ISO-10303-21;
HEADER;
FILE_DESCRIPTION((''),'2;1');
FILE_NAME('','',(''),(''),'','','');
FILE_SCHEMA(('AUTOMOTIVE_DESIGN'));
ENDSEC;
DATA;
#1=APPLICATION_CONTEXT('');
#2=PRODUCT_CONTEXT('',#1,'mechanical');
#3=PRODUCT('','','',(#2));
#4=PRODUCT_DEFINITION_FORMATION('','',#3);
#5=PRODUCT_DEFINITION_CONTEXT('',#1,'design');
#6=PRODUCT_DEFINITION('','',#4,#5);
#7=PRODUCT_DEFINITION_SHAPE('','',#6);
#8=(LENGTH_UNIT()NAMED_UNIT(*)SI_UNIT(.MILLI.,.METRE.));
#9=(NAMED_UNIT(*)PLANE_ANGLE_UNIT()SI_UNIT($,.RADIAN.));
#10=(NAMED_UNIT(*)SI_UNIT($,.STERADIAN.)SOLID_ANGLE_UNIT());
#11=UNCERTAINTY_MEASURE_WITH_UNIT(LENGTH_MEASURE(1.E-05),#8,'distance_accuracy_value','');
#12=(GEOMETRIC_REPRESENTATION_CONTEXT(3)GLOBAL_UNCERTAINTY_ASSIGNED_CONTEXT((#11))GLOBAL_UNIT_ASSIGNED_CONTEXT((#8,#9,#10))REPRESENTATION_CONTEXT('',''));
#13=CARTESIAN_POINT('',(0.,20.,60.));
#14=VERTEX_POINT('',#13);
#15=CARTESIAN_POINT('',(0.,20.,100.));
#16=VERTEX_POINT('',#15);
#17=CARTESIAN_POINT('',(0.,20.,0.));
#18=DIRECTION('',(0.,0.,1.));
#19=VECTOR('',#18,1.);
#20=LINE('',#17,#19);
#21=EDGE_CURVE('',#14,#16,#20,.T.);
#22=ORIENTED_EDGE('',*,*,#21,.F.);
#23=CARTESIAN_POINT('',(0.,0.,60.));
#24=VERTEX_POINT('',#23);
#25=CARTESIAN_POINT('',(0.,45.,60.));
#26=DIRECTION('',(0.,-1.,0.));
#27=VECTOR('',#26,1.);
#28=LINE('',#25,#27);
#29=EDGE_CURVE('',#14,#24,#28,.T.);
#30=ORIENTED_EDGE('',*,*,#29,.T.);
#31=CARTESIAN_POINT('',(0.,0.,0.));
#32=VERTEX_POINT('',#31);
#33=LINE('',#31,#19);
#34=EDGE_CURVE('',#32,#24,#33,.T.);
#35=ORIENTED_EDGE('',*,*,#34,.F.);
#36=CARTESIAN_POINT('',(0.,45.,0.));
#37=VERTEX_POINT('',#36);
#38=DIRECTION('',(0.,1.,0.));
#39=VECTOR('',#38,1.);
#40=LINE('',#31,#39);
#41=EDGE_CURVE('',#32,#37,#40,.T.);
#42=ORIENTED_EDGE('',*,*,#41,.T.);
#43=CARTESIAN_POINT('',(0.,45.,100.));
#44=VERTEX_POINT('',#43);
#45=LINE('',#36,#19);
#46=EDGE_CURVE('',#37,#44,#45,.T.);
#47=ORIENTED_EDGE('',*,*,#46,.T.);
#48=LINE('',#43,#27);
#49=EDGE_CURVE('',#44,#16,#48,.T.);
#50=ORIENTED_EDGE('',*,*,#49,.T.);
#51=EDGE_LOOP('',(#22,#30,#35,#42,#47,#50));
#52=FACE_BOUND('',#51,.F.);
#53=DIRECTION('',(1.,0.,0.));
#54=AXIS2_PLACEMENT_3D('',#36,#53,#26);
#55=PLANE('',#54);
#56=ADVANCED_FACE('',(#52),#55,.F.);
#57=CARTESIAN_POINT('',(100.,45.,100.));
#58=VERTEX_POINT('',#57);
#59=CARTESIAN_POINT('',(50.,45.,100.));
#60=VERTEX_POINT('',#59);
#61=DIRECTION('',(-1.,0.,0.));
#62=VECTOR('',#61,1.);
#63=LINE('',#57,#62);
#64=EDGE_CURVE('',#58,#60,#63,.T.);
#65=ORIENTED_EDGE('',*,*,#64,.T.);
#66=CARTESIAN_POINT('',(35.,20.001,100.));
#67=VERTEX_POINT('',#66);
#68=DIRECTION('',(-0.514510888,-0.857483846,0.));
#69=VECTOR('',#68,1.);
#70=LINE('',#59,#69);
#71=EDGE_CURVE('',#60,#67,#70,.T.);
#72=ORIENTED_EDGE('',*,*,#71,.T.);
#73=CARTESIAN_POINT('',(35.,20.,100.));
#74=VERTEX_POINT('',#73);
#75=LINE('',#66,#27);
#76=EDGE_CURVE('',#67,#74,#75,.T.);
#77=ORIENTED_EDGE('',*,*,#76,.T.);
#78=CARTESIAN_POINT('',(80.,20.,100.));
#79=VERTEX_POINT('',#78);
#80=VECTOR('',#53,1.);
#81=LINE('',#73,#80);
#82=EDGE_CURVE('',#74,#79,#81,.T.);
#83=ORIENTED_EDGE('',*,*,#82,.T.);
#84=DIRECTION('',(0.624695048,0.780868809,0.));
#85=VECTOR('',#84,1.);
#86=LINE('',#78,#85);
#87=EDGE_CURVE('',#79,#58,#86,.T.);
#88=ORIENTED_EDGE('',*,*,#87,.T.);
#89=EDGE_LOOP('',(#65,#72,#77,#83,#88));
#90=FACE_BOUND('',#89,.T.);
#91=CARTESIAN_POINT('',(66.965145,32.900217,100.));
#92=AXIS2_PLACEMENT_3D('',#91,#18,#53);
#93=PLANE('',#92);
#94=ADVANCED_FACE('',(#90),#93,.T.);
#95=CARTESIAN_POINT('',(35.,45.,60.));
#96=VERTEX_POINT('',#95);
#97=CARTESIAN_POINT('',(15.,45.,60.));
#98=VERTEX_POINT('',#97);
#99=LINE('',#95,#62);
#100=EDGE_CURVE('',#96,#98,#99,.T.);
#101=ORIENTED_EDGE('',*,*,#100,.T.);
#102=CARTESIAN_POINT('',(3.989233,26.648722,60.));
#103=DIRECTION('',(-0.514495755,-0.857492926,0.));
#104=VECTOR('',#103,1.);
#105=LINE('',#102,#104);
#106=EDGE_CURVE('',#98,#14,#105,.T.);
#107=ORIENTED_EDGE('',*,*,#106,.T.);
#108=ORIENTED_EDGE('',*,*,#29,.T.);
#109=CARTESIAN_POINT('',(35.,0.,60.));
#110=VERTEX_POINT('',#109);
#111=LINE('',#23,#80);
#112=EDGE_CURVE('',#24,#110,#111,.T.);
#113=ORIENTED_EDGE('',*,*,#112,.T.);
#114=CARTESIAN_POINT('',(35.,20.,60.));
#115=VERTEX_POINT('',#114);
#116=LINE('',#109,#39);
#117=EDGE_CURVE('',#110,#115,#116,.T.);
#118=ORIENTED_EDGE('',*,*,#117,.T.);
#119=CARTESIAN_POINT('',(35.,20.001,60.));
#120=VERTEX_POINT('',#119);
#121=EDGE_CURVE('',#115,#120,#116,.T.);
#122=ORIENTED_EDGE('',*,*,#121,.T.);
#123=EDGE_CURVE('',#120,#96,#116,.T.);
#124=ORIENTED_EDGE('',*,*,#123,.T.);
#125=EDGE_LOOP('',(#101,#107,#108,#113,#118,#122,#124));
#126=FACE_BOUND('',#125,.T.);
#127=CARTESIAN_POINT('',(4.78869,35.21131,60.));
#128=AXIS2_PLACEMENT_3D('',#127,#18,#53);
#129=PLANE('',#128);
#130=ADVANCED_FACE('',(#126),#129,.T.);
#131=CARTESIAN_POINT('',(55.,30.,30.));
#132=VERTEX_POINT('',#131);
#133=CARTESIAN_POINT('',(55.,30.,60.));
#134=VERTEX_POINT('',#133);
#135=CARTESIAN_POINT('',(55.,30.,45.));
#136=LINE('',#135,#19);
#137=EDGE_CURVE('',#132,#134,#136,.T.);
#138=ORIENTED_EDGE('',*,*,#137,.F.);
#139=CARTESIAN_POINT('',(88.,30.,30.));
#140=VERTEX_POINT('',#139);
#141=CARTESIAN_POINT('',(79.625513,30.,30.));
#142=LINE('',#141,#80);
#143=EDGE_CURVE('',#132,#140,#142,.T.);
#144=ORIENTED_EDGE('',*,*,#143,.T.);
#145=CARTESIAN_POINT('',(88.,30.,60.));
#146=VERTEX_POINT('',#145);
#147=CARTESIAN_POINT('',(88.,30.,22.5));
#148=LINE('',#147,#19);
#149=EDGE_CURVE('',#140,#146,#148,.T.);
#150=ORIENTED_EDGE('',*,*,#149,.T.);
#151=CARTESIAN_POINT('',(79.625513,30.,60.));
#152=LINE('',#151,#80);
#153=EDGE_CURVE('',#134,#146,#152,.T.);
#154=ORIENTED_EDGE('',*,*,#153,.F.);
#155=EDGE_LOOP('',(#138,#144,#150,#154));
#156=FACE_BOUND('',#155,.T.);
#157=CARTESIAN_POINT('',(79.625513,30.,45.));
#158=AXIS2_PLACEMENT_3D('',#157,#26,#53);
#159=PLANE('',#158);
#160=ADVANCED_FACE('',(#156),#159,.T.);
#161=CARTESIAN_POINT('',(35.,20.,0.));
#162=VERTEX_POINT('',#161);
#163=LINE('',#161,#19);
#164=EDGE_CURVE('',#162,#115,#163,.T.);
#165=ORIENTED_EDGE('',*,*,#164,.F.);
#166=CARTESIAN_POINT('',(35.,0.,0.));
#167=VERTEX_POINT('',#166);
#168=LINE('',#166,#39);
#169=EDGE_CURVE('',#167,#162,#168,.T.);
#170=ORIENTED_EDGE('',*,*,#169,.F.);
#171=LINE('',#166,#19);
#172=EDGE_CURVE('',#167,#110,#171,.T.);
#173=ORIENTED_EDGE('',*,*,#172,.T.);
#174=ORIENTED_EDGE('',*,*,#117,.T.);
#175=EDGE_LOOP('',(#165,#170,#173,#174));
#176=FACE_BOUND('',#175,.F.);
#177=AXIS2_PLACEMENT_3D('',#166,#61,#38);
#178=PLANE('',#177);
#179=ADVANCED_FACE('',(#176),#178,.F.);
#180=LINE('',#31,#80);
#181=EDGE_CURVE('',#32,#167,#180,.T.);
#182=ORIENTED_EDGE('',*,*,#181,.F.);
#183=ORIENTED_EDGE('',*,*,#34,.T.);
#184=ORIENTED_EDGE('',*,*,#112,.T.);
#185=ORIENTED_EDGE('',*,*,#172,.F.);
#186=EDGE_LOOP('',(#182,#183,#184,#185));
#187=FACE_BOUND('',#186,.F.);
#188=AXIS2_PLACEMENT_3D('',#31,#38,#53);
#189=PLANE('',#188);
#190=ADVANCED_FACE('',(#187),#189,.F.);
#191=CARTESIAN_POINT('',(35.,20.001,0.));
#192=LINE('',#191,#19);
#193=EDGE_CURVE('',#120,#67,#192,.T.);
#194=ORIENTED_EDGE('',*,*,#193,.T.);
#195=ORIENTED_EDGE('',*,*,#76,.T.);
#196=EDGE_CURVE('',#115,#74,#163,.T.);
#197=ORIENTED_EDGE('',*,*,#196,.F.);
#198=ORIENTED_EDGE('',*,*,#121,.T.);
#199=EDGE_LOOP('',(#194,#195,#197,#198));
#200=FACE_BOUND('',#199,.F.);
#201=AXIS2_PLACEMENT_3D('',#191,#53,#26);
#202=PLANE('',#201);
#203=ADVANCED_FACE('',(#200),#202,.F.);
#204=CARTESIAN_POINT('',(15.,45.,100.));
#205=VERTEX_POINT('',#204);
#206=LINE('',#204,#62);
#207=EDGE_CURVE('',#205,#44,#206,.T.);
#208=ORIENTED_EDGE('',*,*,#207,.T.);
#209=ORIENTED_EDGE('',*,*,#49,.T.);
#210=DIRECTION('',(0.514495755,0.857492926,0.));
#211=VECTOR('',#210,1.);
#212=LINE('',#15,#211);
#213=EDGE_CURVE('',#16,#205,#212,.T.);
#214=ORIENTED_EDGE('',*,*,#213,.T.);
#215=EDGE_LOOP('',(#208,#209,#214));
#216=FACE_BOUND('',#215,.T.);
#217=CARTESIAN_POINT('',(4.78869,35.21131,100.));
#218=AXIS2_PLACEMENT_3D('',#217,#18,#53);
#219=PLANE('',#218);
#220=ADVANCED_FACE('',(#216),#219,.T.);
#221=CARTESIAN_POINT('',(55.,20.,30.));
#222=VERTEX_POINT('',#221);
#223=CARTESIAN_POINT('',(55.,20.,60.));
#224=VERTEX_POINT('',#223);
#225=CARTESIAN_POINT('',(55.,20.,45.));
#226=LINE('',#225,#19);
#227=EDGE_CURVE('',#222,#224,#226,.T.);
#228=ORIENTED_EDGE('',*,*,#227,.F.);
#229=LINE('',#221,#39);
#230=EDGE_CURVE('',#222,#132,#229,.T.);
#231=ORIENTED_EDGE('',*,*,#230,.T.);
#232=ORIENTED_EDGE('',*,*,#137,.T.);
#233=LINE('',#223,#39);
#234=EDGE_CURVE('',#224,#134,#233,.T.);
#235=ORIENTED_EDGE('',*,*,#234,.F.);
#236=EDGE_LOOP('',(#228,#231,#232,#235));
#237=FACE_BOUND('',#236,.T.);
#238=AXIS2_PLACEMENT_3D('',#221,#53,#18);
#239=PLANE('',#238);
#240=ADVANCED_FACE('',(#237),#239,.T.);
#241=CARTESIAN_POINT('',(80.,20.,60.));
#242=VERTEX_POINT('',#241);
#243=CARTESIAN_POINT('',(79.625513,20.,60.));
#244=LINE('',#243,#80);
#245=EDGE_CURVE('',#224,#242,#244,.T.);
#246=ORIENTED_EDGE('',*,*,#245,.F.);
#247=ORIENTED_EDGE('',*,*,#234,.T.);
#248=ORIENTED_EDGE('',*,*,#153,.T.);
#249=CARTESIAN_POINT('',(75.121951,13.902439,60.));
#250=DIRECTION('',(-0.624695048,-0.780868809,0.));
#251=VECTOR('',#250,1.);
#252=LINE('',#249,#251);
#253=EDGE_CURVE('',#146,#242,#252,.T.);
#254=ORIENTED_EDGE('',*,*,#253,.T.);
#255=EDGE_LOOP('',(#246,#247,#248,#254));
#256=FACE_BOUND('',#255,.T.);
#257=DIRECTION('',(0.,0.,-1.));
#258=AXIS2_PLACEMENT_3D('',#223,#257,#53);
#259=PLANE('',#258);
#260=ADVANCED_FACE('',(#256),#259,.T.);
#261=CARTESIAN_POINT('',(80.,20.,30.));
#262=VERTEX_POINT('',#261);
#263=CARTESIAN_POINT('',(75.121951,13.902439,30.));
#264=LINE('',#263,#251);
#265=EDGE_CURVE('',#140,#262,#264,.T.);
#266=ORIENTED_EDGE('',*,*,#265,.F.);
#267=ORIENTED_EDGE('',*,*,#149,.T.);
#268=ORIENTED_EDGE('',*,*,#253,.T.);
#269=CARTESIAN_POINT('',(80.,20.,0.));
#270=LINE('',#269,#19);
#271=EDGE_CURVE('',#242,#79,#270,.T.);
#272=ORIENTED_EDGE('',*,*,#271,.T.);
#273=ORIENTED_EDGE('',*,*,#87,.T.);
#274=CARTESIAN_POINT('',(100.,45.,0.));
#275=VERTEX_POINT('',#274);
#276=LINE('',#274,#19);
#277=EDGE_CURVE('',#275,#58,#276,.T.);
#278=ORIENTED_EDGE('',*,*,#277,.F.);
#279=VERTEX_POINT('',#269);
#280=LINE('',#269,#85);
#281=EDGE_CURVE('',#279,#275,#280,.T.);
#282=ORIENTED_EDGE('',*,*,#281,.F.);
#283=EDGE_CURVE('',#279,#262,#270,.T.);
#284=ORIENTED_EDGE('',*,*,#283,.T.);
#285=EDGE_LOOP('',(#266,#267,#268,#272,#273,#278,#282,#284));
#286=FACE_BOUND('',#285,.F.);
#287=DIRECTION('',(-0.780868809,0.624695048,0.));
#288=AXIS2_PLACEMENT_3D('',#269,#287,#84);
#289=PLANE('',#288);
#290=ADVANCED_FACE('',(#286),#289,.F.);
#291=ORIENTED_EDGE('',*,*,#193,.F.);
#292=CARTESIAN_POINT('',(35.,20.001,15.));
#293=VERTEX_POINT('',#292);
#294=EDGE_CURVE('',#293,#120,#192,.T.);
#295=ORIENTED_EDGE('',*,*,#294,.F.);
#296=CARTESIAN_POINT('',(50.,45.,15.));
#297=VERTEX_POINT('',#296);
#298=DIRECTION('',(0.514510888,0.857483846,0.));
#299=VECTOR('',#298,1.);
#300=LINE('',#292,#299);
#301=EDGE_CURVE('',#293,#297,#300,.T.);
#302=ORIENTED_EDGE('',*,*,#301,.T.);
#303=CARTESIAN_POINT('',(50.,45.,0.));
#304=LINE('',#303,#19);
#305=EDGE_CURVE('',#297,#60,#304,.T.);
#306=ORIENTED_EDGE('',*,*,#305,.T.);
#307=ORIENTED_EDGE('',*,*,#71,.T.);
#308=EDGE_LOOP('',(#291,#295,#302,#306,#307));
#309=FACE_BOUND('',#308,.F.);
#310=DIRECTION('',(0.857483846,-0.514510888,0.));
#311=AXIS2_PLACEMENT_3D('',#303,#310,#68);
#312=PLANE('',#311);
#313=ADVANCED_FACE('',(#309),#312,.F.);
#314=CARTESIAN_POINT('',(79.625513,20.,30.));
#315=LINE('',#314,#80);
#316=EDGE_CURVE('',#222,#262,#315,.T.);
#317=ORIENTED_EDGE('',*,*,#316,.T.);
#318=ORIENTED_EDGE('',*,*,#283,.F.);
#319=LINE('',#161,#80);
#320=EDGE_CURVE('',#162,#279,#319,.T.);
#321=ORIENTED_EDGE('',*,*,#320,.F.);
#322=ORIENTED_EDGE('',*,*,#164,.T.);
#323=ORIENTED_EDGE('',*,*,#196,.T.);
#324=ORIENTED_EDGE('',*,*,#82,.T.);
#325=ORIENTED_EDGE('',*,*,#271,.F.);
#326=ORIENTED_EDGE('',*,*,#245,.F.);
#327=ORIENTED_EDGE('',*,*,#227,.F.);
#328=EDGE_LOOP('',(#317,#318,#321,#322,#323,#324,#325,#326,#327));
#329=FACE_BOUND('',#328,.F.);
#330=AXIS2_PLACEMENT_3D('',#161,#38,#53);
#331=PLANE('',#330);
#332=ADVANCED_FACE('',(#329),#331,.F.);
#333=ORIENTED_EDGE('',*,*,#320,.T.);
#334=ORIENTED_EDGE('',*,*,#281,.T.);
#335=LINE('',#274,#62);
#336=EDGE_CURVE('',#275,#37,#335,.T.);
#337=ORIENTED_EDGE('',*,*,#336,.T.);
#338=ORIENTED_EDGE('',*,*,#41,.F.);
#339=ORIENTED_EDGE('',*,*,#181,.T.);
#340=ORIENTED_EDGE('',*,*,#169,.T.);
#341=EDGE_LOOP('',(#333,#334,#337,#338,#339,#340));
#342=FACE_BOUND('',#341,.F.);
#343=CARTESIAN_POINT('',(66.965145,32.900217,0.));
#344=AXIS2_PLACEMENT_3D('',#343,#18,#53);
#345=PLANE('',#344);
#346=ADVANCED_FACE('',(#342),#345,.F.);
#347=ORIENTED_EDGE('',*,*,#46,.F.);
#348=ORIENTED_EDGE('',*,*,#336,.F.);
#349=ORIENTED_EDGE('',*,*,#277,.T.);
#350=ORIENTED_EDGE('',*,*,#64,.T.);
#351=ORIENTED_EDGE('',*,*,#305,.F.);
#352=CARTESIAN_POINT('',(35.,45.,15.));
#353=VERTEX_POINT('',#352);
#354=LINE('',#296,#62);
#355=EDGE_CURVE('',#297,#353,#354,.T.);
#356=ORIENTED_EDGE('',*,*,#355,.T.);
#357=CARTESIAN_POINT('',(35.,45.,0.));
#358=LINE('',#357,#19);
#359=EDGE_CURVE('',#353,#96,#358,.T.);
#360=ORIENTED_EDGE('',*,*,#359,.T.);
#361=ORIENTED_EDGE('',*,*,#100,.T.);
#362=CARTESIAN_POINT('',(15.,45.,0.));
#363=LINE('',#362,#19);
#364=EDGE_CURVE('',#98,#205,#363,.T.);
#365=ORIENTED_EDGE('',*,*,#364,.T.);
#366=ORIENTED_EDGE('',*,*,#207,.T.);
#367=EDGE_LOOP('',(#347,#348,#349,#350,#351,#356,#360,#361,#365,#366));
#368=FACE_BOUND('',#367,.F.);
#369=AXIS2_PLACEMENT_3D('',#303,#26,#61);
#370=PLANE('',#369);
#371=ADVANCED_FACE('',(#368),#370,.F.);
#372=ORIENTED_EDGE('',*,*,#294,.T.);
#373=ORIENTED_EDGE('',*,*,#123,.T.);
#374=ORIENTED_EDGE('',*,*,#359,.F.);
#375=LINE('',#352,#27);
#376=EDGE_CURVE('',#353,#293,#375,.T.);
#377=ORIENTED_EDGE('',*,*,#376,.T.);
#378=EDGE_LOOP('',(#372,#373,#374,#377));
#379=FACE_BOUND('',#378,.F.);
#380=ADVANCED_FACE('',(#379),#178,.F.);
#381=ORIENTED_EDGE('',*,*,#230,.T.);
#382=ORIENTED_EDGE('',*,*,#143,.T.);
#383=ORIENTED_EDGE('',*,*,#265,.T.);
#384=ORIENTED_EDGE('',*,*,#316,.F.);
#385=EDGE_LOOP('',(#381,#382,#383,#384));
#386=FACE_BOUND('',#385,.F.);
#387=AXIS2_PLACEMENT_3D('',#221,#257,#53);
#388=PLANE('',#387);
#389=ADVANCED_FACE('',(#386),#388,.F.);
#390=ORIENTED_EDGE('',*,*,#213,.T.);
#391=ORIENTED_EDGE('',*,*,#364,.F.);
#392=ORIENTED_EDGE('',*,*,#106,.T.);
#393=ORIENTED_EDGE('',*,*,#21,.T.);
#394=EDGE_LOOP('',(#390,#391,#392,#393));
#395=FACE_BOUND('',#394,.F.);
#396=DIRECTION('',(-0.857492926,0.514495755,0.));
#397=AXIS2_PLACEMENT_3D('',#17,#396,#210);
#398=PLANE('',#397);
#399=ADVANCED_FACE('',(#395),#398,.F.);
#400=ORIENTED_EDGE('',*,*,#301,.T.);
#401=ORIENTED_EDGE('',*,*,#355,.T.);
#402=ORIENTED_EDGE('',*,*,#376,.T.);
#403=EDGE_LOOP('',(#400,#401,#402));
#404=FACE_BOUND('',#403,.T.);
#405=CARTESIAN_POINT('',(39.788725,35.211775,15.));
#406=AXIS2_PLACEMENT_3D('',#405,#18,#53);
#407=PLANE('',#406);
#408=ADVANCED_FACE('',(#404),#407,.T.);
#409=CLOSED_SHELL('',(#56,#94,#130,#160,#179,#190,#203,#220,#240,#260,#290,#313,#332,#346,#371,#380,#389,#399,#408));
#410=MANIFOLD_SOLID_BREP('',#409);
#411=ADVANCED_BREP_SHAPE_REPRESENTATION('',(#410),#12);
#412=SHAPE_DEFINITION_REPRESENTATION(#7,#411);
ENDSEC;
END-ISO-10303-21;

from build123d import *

# Parameters (mm, degrees)
F1_DEPTH = 60
F2_DEPTH = 15
F3_DEPTH = 100
F4_DEPTH = 100
F5_W     = 49.251026
F5_H     = 30
F6_DEPTH = 10


with BuildPart() as f1:
    # F0 (on Top) → F1 (new body)
    with BuildSketch(Plane.XY):
        Polygon((0, 45), (0, 20), (15, 45), align=None)
        Polygon((0, 20), (0, 0), (35, 0), (35, 20), (35, 20.001), (35, 45), (15, 45), align=None)
    extrude(amount=F1_DEPTH)

    # F0 (on Top) → F2 (join)
    with BuildSketch(Plane.XY):
        Polygon((35, 45), (35, 20.001), (50, 45), align=None)
    extrude(amount=F2_DEPTH)

    # F0 (on Top) → F3 (join)
    with BuildSketch(Plane.XY):
        Polygon((0, 45), (0, 20), (15, 45), align=None)
    extrude(amount=F3_DEPTH)

    # F0 (on Top) → F4 (join)
    with BuildSketch(Plane.XY):
        Polygon((35, 20.001), (35, 20), (80, 20), (100, 45), (50, 45), align=None)
    extrude(amount=F4_DEPTH)

    # F5 (on face) → F6 (cut)
    with BuildSketch(Plane.XZ.offset(-20)):
        with Locations((79.625513, 45)):
            Rectangle(F5_W, F5_H)
    extrude(amount=-F6_DEPTH, mode=Mode.SUBTRACT)


solid = f1.part
